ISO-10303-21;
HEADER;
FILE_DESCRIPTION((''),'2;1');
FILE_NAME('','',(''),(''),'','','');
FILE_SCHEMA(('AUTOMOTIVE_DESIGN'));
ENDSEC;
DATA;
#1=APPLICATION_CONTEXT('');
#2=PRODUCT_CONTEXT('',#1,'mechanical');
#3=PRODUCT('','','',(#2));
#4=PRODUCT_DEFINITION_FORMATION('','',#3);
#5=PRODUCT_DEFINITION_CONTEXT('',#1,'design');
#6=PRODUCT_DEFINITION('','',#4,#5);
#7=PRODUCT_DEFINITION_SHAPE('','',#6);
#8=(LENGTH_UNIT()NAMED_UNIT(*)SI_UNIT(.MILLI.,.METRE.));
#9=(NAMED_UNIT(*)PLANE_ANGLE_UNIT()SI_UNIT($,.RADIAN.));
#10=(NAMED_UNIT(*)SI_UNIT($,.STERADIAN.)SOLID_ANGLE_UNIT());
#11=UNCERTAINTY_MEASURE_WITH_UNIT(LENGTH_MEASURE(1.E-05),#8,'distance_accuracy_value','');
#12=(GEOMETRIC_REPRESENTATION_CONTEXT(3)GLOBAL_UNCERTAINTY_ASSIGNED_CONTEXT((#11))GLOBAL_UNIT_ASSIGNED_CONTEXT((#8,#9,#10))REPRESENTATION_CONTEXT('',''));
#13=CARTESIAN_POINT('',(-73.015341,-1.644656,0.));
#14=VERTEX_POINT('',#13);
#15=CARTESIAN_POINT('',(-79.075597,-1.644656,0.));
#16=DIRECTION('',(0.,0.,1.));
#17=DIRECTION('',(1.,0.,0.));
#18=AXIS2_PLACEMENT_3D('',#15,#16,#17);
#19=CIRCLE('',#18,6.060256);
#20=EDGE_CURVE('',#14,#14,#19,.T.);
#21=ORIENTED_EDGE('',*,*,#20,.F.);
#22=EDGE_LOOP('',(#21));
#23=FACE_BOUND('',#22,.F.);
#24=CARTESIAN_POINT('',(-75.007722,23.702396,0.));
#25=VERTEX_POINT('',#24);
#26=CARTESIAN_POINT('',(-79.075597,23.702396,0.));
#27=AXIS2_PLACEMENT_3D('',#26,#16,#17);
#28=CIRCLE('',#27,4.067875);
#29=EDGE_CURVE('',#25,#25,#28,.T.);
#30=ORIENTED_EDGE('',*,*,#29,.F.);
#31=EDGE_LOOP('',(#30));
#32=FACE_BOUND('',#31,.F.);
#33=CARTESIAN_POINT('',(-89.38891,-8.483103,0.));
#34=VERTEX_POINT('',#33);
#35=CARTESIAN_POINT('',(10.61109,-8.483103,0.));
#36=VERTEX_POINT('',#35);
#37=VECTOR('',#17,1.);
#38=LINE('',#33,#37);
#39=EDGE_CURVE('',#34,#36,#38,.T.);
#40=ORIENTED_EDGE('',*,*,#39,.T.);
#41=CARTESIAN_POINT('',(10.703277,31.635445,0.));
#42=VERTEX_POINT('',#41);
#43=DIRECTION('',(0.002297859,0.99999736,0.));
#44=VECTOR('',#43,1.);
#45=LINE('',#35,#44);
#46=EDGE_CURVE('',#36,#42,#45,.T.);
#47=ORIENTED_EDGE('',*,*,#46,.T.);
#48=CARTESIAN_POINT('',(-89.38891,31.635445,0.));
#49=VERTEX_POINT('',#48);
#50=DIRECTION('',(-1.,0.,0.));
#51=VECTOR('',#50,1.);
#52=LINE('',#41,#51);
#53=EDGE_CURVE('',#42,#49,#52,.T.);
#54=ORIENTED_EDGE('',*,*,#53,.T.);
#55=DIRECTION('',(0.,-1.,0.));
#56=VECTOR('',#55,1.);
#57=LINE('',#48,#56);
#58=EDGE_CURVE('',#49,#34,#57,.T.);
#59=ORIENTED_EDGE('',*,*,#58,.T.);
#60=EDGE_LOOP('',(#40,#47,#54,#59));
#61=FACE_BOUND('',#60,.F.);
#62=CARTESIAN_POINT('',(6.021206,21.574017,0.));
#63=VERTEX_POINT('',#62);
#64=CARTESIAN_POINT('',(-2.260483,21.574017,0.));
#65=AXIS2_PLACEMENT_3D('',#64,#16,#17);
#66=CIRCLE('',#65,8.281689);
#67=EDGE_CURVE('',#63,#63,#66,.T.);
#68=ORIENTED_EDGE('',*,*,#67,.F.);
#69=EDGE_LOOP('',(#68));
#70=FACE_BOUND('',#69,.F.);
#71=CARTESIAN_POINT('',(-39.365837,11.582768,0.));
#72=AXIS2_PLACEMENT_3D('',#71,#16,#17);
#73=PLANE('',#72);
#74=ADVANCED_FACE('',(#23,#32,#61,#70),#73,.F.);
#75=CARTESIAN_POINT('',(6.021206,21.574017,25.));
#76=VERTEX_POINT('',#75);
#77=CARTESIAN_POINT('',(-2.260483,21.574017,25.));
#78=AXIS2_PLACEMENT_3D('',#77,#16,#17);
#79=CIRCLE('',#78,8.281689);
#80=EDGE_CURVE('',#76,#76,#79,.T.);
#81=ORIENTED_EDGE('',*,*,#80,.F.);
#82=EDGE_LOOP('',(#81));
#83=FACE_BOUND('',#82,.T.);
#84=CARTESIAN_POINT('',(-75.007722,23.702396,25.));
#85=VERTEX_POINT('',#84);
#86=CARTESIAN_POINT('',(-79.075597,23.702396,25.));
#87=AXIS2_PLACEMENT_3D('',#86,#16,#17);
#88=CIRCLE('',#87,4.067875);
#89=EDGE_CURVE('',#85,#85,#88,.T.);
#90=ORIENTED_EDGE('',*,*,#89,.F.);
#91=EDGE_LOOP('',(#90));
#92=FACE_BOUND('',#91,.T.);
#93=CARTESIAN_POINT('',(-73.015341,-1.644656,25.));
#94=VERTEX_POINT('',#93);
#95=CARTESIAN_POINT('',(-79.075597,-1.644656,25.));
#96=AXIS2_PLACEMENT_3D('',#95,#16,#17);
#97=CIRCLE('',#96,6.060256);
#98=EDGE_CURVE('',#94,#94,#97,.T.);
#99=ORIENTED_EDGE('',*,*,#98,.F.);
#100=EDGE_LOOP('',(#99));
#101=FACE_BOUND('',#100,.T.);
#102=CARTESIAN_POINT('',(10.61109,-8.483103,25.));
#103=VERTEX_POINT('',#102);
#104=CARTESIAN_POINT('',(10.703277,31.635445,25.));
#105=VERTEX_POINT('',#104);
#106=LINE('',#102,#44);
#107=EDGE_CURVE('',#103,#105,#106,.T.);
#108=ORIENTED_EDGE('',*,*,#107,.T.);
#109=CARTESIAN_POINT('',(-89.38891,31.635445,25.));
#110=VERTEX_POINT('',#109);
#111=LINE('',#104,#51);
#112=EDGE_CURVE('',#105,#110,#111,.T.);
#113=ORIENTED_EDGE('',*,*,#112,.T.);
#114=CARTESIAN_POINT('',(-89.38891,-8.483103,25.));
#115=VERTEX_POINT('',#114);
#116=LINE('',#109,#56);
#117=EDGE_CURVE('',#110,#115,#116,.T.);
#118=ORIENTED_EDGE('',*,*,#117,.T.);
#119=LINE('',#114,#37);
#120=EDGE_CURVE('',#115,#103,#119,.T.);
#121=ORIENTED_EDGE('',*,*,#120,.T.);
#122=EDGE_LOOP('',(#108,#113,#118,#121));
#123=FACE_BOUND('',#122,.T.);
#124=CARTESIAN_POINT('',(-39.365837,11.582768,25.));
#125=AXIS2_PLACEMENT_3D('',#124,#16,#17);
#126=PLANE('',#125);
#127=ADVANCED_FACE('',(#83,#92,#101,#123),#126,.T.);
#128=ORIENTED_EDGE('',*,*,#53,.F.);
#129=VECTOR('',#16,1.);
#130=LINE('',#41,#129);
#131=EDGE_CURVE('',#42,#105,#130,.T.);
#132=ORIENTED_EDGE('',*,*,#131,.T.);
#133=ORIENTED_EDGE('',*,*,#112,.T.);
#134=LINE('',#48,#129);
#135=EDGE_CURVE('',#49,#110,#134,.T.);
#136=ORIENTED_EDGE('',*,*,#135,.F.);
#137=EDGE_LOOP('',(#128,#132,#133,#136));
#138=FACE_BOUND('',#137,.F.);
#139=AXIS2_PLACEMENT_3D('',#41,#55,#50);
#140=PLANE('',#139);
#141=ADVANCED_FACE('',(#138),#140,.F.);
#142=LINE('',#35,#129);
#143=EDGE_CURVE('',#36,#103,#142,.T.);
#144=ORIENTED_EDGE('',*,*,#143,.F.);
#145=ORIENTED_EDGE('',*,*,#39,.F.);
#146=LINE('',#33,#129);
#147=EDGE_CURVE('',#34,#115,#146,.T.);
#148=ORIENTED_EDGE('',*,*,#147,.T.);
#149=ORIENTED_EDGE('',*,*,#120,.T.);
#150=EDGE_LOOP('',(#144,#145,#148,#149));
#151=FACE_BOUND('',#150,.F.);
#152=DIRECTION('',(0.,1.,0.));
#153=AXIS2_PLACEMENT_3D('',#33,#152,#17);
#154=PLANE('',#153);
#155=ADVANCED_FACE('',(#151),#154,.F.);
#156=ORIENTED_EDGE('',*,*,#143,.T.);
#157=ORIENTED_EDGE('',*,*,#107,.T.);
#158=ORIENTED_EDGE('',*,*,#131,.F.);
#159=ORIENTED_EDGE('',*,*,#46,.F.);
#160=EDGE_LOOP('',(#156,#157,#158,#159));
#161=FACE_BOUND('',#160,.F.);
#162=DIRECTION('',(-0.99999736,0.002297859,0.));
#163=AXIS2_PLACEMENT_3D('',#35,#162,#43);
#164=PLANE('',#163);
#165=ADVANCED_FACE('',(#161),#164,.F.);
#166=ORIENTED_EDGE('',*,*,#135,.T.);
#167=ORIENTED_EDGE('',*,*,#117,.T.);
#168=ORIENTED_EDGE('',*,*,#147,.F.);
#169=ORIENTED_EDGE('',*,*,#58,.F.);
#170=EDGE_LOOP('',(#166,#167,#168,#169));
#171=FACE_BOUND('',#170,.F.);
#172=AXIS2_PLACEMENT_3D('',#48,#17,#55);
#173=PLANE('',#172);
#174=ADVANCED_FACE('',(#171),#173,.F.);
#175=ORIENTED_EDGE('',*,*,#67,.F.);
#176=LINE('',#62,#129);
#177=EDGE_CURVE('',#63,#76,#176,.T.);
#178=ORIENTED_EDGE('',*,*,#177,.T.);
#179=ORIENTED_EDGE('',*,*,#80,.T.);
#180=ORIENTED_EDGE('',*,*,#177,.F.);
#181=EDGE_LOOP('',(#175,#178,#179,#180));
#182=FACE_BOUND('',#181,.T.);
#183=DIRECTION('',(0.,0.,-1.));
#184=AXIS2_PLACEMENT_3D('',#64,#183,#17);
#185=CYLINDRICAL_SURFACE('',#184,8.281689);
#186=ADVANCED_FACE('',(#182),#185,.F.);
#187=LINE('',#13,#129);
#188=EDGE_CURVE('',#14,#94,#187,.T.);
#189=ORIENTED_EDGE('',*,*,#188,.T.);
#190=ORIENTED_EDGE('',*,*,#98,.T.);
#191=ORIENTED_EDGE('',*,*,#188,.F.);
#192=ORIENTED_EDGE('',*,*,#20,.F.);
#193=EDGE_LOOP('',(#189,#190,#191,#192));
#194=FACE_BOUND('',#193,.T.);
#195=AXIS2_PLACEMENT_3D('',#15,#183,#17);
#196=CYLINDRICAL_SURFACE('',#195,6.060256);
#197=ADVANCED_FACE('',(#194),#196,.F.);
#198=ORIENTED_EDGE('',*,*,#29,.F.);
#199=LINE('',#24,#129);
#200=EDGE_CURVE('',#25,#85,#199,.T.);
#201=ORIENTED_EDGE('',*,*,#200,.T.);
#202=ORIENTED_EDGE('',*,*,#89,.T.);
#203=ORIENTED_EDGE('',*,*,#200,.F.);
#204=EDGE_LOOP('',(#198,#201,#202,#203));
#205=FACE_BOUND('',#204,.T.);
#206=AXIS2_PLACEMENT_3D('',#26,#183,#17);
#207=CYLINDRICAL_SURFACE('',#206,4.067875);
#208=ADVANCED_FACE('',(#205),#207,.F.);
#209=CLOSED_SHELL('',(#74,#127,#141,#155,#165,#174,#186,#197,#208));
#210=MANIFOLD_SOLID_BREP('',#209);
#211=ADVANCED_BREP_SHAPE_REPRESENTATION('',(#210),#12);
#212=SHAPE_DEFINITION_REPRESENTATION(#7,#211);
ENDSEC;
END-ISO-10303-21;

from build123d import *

# Parameters (mm, degrees)
F0_R     = 6.060256
F0_R_2   = 4.067875
F0_R_3   = 8.281689
F1_DEPTH = 25


with BuildPart() as f1:
    # F0 (on Top) → F1 (new body)
    with BuildSketch(Plane.XY):
        Polygon((-89.38891, 31.635445), (-89.38891, -8.483103), (10.61109, -8.483103), (10.703277, 31.635445), align=None)
        with Locations((-79.075597, -1.644656)):
            Circle(F0_R, mode=Mode.SUBTRACT)
        with Locations((-79.075597, 23.702396)):
            Circle(F0_R_2, mode=Mode.SUBTRACT)
        with Locations((-2.260483, 21.574017)):
            Circle(F0_R_3, mode=Mode.SUBTRACT)
    extrude(amount=F1_DEPTH)


solid = f1.part
